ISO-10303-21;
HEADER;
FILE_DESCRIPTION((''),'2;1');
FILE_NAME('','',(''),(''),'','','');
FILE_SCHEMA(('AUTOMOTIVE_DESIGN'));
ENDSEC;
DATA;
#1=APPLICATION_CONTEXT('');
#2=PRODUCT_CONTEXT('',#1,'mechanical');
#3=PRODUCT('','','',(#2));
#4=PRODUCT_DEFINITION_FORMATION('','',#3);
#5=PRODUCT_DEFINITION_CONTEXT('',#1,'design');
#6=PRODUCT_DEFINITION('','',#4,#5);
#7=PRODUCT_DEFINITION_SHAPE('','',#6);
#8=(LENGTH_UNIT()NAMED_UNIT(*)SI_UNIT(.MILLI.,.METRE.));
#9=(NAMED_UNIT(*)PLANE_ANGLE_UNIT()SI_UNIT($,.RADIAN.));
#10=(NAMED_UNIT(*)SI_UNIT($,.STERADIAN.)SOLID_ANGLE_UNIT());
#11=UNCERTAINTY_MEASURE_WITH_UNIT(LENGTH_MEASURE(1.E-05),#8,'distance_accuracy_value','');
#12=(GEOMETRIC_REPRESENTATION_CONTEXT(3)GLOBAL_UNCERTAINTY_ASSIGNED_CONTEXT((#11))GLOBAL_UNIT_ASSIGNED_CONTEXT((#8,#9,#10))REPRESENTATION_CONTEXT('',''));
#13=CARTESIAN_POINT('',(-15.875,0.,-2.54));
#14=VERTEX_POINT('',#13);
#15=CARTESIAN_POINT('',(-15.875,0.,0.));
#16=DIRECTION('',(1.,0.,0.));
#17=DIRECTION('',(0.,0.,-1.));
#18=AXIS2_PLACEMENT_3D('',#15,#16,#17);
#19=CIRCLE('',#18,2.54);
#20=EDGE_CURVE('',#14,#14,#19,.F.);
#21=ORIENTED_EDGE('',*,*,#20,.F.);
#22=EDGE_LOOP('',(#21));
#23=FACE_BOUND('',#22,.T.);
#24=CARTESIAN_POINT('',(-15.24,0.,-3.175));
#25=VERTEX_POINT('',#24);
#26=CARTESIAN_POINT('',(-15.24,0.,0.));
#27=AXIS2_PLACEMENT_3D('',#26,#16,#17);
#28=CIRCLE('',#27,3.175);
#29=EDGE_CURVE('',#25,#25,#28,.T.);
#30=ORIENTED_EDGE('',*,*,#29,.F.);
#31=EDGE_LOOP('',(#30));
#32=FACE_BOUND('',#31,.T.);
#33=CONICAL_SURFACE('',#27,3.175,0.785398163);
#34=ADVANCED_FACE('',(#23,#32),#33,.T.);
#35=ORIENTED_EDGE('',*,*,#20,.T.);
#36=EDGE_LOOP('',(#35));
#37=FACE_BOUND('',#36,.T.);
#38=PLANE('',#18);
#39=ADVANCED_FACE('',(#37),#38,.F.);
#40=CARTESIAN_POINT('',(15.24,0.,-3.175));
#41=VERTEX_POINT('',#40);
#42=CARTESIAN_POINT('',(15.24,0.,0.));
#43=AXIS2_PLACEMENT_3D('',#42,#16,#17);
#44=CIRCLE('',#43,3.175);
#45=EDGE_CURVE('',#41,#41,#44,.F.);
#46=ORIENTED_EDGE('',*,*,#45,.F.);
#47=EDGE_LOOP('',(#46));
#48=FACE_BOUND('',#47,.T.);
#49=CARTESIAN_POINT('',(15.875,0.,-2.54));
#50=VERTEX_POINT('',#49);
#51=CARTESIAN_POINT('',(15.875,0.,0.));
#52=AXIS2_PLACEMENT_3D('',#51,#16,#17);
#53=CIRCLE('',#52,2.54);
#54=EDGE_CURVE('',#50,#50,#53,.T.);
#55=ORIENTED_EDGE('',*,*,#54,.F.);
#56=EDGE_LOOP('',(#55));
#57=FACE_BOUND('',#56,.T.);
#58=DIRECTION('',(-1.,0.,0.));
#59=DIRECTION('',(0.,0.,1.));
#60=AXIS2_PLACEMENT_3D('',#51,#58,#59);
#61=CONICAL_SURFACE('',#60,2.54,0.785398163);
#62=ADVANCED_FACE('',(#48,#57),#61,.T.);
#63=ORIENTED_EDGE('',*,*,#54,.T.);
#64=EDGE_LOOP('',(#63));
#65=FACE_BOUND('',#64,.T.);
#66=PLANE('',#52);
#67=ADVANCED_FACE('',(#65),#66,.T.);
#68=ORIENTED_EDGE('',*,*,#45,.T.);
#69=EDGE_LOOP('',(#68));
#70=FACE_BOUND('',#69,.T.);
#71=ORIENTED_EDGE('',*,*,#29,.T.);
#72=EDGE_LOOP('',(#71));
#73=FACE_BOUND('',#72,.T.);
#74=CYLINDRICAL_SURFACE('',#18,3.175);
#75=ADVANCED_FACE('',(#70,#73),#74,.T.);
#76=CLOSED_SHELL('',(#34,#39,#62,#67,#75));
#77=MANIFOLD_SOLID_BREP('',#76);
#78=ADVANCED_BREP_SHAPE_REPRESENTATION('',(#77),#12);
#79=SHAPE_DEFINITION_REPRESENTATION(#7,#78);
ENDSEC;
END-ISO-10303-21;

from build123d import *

# Parameters (mm, degrees)
SKETCH2_R           = 3.175
EXTRUDE1_DEPTH      = 15.875
EXTRUDE1_DEPTH_BACK = 15.875
CHAMFER1_SIZE       = 0.635


with BuildPart() as part:
    # Sketch2 → Extrude1 (new body, two sides)
    with BuildSketch(Plane(origin=(0, 0, 0), x_dir=(0, 0, -1), z_dir=(1, 0, 0))) as extrude1_sk:
        Circle(SKETCH2_R)
    extrude(amount=EXTRUDE1_DEPTH)
    extrude(extrude1_sk.sketch, amount=-EXTRUDE1_DEPTH_BACK)

    # Chamfer1
    chamfer1_edges = [part.edges().sort_by_distance(p)[0] for p in [
        (-15.875, 0, 3.175),
        (15.875, 0, 3.175),
    ]]
    chamfer(chamfer1_edges, length=CHAMFER1_SIZE)


solid = part.part
